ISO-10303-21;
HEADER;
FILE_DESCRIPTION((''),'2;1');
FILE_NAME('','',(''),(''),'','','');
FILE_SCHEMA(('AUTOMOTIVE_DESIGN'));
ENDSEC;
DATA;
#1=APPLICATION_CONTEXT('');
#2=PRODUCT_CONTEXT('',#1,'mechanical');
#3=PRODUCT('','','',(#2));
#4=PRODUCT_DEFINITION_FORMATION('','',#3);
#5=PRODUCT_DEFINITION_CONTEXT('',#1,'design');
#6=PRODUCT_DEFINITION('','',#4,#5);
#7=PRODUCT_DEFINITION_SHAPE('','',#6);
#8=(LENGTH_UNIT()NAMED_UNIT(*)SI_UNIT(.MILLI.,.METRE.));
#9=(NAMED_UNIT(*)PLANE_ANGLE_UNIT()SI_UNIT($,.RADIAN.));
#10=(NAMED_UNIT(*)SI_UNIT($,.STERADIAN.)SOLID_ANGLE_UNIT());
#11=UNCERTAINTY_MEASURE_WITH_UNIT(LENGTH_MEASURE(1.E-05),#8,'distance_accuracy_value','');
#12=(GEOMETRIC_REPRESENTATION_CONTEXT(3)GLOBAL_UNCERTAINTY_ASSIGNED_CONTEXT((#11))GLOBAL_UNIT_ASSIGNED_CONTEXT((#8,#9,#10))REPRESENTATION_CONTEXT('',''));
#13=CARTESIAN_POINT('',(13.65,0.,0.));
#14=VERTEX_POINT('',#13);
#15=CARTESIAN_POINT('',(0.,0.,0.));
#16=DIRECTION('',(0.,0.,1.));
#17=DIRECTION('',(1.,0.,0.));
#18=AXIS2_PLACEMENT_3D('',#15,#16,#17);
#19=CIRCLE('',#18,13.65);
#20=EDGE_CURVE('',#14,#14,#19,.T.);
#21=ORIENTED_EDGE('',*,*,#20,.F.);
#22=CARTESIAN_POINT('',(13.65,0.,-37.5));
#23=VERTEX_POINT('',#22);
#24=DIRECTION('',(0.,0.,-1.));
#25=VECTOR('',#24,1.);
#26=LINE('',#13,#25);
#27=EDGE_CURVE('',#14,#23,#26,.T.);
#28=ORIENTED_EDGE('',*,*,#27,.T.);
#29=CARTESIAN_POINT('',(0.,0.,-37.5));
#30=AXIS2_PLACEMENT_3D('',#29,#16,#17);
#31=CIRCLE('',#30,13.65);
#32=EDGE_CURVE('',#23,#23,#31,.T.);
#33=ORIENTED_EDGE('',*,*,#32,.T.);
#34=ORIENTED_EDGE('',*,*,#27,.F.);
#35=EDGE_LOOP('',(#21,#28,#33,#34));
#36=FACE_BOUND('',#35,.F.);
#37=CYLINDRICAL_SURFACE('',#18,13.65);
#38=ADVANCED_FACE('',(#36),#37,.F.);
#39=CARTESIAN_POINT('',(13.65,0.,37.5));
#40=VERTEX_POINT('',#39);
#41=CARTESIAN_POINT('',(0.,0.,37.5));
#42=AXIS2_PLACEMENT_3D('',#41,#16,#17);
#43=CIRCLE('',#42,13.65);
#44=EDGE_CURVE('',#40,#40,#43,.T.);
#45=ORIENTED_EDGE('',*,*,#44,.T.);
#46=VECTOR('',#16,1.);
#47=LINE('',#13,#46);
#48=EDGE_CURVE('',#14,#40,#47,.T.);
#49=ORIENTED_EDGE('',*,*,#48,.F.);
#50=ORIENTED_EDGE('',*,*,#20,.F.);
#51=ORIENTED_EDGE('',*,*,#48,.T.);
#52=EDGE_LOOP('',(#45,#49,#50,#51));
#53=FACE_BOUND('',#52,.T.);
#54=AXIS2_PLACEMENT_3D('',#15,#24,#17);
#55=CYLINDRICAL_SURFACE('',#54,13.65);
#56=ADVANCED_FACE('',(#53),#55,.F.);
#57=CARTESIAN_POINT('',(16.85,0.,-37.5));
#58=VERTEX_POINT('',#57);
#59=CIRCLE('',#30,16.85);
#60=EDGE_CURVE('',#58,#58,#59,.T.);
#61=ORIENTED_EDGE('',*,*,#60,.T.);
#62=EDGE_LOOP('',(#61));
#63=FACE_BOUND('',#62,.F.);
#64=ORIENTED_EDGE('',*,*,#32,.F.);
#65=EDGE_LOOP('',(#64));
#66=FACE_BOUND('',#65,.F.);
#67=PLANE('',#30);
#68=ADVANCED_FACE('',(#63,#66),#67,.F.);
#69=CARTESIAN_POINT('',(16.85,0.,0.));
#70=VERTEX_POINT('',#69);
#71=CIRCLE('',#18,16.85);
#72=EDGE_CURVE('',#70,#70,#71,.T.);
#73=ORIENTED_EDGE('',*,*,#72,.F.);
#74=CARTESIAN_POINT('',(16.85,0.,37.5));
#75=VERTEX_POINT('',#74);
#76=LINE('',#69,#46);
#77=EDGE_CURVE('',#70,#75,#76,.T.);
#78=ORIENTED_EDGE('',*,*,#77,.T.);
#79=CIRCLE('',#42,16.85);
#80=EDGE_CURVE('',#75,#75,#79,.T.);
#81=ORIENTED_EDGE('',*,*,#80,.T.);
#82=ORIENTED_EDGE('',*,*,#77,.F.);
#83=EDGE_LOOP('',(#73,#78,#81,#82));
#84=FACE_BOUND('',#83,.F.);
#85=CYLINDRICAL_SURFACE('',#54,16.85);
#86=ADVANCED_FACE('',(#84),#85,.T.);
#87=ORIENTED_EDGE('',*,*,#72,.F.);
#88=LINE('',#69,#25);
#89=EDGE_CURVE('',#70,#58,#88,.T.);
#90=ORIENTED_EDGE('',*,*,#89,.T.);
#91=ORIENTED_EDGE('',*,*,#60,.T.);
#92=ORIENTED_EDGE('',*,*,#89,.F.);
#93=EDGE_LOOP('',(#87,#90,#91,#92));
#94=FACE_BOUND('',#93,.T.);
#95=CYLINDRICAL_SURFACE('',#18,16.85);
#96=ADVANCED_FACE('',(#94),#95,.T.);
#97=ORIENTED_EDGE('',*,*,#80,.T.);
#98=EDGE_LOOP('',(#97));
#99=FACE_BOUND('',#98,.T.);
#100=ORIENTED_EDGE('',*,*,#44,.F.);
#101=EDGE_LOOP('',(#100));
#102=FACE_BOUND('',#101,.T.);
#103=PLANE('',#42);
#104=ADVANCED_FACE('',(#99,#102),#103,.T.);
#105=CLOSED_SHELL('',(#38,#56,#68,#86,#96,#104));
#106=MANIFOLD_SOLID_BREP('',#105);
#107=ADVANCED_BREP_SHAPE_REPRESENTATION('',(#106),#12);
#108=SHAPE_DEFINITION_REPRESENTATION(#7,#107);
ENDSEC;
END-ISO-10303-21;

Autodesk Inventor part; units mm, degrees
ref_plane "YZ Plane" through (0, 0, 0) normal (1, 0, 0) x (0, 1, 0)
ref_plane "XZ Plane" through (0, 0, 0) normal (0, 1, 0) x (-1, 0, 0)
ref_plane "XY Plane" through (0, 0, 0) normal (0, 0, 1) x (1, 0, 0)
sketch "Sketch1" plane through (0, 0, 0) normal (0, 0, 1) x (1, 0, 0)
  circle A0 centre (0, 0) radius 16.85
  circle A1 centre (0, 0) radius 13.65
  dimension "OD" = 33.7
  dimension "t" = 3.2
extrude "Extrusion1" add sketch "Sketch1" along normal mid plane 75
equation "\"size\" = 6"
properties part number "tube-15"
